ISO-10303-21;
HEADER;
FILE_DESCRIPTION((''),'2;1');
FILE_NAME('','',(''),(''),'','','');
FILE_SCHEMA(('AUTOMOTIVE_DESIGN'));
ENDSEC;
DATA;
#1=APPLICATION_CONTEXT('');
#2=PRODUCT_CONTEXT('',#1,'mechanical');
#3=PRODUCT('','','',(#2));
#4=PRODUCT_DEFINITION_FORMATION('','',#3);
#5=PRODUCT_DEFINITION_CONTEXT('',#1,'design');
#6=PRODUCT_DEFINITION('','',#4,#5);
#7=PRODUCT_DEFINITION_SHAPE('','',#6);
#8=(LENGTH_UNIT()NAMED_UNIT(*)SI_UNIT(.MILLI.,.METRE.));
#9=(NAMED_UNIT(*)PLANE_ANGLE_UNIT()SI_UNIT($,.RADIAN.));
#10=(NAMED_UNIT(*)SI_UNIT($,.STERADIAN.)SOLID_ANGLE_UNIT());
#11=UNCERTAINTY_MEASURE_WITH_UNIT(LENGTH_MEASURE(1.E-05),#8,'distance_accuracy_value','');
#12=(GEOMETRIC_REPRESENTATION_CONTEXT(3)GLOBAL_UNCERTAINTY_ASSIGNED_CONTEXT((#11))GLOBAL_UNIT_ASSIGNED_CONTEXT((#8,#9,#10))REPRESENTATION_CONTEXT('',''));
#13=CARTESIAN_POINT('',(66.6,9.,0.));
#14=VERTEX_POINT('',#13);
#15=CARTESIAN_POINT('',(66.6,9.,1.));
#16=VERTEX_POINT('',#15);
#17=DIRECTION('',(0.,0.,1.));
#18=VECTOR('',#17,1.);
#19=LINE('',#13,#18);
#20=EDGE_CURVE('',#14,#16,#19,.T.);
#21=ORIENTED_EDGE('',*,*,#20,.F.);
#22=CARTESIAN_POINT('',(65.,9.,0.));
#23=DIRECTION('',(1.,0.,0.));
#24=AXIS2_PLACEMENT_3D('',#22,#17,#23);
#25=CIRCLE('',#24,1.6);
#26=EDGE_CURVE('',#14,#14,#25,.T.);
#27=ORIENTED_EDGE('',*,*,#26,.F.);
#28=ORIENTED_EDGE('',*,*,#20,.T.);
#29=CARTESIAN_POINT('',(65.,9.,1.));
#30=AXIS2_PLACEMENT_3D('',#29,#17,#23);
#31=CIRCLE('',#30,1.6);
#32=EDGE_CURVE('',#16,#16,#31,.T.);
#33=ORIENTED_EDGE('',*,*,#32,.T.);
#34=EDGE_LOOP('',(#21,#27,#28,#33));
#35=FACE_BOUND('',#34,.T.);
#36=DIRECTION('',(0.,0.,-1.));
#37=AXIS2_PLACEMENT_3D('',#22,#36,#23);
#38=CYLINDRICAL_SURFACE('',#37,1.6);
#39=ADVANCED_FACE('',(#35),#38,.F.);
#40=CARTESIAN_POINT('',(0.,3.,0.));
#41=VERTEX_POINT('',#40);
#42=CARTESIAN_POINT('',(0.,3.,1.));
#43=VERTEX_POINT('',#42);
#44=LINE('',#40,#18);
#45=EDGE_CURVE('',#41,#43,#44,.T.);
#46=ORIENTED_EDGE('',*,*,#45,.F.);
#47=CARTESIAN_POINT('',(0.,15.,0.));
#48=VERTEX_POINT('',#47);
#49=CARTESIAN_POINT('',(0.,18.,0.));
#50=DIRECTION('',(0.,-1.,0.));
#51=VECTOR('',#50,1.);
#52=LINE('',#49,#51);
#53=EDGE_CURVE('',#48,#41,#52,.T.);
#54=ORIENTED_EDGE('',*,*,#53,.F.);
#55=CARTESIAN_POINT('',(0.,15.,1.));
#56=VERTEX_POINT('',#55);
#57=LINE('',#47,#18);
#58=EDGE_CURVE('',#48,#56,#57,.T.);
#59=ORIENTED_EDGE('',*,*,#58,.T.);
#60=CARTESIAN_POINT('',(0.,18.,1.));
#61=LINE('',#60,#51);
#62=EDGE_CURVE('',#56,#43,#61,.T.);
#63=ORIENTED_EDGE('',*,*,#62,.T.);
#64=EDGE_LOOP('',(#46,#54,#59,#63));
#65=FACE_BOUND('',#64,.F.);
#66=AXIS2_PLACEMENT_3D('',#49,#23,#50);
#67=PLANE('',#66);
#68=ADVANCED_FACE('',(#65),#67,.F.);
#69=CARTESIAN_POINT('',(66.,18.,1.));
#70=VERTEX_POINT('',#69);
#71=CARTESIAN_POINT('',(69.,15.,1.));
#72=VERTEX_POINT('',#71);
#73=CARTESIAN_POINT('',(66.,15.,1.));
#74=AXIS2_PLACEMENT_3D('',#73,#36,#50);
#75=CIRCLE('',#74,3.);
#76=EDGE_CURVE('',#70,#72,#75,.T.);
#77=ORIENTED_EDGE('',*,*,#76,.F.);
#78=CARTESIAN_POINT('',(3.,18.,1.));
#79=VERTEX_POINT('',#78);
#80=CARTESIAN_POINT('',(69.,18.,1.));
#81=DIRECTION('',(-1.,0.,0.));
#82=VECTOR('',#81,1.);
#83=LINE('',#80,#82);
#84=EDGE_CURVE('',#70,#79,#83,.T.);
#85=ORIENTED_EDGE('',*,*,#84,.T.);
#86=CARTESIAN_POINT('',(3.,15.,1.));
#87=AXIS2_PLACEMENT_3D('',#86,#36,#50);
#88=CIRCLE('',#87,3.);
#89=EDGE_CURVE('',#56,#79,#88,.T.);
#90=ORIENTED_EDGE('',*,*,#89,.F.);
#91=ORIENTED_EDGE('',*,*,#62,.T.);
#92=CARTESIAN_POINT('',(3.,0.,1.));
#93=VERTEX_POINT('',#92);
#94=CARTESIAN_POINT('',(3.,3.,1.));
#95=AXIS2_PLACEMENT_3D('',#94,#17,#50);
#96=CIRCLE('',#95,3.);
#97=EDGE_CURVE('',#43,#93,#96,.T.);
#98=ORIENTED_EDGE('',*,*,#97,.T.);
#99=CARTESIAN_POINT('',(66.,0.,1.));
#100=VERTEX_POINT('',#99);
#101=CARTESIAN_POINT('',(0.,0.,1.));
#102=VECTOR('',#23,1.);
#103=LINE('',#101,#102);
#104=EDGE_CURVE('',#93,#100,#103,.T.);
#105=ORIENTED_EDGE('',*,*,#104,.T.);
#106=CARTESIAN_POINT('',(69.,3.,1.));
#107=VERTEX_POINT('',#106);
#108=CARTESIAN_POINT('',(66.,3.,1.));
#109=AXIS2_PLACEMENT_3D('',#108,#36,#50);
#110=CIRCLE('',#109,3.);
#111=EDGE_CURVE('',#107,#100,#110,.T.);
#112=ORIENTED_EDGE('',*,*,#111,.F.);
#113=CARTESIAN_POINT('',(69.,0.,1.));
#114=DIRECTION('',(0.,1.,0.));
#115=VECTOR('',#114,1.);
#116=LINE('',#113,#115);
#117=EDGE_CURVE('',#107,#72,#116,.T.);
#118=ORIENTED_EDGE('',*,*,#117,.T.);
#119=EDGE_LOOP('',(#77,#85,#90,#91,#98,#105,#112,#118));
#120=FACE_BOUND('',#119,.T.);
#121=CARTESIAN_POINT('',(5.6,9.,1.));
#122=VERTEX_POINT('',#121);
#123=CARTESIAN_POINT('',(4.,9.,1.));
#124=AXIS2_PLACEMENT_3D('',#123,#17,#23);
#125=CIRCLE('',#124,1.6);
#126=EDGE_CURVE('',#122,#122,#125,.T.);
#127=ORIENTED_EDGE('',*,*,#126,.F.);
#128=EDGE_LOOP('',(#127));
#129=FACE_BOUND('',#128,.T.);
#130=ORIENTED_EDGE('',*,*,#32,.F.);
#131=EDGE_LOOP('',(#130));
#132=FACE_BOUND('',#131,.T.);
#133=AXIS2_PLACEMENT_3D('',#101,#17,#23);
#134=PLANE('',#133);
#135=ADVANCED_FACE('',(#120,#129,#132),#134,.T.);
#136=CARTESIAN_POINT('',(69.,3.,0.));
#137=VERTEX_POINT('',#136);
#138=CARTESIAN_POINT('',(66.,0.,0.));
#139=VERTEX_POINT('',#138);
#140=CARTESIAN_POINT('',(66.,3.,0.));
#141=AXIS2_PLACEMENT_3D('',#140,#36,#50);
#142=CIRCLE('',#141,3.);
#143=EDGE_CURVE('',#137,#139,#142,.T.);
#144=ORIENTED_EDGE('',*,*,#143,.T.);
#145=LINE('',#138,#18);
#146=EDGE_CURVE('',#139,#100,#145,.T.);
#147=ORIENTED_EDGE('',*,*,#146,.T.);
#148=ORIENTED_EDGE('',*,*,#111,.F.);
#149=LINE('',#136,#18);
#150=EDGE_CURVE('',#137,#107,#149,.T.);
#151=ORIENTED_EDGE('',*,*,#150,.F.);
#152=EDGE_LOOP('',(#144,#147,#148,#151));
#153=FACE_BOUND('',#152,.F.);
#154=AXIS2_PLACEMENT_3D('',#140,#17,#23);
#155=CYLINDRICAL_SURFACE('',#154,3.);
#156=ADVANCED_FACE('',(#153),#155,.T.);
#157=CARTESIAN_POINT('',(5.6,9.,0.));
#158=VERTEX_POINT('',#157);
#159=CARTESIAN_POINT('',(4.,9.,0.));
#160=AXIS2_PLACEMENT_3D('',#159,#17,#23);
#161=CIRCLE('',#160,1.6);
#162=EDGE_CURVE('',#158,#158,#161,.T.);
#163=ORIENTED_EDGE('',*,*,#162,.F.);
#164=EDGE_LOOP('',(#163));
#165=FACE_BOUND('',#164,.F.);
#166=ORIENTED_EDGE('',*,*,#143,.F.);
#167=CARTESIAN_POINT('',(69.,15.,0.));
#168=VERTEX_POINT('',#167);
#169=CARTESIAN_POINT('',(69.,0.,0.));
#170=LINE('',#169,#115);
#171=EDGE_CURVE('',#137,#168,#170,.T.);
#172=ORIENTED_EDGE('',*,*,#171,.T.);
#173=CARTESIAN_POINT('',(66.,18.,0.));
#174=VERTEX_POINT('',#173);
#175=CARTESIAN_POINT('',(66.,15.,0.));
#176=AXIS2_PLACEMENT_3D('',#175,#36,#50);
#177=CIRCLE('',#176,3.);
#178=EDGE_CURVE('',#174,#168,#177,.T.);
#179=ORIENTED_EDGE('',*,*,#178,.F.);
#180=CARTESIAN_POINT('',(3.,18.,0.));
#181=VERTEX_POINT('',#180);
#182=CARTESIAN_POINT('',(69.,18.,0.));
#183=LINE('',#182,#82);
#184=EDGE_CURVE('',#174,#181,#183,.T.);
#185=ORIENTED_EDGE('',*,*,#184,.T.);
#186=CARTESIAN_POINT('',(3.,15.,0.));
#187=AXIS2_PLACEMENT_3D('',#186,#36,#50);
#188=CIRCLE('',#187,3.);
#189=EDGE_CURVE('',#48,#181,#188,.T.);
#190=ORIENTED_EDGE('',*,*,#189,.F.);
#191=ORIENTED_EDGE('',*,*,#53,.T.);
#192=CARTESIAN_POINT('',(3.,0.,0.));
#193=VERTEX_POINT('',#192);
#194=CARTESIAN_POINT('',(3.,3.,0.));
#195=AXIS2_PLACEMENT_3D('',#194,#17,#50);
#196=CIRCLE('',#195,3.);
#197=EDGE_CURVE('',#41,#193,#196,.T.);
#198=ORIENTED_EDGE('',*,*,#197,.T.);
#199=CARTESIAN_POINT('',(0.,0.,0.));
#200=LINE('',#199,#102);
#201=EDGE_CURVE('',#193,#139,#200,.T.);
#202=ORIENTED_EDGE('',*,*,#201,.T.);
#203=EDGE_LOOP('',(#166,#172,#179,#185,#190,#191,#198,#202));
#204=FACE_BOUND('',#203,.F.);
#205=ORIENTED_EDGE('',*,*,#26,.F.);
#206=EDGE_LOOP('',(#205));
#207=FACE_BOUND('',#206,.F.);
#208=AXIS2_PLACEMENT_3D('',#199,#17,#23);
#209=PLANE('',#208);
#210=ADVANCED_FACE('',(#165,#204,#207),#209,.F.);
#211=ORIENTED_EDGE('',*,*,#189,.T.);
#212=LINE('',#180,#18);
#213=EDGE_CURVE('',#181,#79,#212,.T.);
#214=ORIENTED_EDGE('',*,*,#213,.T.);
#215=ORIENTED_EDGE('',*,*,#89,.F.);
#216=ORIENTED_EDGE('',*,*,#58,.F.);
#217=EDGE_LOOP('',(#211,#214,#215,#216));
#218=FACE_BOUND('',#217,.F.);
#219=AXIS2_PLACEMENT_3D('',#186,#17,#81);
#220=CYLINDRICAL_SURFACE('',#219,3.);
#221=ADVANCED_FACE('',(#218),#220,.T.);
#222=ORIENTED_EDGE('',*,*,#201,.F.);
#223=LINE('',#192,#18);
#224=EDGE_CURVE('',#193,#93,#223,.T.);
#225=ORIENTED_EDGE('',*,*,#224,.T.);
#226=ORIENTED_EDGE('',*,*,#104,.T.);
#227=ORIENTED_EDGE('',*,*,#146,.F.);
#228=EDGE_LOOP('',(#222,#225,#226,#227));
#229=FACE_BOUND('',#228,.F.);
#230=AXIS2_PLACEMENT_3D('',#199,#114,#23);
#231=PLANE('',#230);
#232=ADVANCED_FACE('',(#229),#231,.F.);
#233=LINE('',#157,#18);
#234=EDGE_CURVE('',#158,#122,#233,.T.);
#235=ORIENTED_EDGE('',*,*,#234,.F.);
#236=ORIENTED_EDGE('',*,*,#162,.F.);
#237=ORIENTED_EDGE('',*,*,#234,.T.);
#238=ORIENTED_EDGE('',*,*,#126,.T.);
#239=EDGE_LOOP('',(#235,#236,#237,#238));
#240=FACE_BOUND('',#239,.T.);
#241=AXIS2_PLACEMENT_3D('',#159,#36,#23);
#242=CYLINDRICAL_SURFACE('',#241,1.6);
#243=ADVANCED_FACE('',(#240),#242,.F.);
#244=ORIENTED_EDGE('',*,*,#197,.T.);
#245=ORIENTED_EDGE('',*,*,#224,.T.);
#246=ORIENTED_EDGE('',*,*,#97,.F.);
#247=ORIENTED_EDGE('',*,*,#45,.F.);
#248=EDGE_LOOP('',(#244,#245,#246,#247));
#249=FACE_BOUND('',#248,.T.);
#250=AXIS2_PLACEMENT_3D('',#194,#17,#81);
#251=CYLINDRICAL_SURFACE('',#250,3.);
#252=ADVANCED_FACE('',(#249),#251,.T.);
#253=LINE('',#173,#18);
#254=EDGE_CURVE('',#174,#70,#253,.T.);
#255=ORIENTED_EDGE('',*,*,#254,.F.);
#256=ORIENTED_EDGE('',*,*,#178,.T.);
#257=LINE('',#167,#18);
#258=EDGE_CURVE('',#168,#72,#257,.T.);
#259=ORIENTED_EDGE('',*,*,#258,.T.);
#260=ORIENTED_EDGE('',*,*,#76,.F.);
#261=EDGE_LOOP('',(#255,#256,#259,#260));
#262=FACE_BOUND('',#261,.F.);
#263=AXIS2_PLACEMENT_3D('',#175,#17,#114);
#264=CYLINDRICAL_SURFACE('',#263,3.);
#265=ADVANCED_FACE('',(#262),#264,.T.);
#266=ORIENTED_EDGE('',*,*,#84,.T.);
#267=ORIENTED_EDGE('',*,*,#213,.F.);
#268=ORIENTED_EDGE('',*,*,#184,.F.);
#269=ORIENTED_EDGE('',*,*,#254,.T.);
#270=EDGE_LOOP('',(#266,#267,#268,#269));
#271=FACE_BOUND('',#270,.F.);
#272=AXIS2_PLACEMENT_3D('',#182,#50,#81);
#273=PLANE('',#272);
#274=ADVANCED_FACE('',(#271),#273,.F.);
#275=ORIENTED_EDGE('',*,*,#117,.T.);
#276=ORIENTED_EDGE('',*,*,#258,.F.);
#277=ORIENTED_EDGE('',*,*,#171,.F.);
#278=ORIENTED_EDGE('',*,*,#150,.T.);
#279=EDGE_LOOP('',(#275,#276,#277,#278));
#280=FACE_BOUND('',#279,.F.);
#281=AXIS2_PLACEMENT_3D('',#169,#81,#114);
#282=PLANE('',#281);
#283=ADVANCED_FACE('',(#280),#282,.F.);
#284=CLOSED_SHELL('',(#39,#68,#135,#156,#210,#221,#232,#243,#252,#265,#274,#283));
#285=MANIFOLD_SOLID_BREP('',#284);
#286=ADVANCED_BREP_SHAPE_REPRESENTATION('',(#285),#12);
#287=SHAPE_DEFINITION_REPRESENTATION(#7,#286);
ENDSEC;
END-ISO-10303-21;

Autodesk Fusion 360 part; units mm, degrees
sketch "Sketch1" plane through (0, 0, 0) normal (0, 0, 1) x (1, 0, 0)
  line L0 (0, 0) -> (69, 0)
  line L1 (69, 0) -> (69, 18)
  line L2 (69, 18) -> (0, 18)
  line L3 (0, 18) -> (0, 0)
  circle A0 centre (65, 9) radius 1.6
  circle A1 centre (4, 9) radius 1.6
  dimension "d1" = 69
  dimension "d2" = 18
  dimension "d3" = 3.2
  dimension "d4" = 3.2
  dimension "d5" = 4
  dimension "d6" = 4
  dimension "d17" = 9
  dimension "d18" = 9
extrude "Extrude1" add sketch "Sketch1" along normal blind 1
fillet "Fillet1" radius 3 1 edges at (69, 18, 0.5)
fillet "Fillet1" radius 3 1 edges at (0, 18, 0.5)
fillet "Fillet1" radius 3 1 edges at (0, 0, 0.5)
fillet "Fillet1" radius 3 1 edges at (69, 0, 0.5)
